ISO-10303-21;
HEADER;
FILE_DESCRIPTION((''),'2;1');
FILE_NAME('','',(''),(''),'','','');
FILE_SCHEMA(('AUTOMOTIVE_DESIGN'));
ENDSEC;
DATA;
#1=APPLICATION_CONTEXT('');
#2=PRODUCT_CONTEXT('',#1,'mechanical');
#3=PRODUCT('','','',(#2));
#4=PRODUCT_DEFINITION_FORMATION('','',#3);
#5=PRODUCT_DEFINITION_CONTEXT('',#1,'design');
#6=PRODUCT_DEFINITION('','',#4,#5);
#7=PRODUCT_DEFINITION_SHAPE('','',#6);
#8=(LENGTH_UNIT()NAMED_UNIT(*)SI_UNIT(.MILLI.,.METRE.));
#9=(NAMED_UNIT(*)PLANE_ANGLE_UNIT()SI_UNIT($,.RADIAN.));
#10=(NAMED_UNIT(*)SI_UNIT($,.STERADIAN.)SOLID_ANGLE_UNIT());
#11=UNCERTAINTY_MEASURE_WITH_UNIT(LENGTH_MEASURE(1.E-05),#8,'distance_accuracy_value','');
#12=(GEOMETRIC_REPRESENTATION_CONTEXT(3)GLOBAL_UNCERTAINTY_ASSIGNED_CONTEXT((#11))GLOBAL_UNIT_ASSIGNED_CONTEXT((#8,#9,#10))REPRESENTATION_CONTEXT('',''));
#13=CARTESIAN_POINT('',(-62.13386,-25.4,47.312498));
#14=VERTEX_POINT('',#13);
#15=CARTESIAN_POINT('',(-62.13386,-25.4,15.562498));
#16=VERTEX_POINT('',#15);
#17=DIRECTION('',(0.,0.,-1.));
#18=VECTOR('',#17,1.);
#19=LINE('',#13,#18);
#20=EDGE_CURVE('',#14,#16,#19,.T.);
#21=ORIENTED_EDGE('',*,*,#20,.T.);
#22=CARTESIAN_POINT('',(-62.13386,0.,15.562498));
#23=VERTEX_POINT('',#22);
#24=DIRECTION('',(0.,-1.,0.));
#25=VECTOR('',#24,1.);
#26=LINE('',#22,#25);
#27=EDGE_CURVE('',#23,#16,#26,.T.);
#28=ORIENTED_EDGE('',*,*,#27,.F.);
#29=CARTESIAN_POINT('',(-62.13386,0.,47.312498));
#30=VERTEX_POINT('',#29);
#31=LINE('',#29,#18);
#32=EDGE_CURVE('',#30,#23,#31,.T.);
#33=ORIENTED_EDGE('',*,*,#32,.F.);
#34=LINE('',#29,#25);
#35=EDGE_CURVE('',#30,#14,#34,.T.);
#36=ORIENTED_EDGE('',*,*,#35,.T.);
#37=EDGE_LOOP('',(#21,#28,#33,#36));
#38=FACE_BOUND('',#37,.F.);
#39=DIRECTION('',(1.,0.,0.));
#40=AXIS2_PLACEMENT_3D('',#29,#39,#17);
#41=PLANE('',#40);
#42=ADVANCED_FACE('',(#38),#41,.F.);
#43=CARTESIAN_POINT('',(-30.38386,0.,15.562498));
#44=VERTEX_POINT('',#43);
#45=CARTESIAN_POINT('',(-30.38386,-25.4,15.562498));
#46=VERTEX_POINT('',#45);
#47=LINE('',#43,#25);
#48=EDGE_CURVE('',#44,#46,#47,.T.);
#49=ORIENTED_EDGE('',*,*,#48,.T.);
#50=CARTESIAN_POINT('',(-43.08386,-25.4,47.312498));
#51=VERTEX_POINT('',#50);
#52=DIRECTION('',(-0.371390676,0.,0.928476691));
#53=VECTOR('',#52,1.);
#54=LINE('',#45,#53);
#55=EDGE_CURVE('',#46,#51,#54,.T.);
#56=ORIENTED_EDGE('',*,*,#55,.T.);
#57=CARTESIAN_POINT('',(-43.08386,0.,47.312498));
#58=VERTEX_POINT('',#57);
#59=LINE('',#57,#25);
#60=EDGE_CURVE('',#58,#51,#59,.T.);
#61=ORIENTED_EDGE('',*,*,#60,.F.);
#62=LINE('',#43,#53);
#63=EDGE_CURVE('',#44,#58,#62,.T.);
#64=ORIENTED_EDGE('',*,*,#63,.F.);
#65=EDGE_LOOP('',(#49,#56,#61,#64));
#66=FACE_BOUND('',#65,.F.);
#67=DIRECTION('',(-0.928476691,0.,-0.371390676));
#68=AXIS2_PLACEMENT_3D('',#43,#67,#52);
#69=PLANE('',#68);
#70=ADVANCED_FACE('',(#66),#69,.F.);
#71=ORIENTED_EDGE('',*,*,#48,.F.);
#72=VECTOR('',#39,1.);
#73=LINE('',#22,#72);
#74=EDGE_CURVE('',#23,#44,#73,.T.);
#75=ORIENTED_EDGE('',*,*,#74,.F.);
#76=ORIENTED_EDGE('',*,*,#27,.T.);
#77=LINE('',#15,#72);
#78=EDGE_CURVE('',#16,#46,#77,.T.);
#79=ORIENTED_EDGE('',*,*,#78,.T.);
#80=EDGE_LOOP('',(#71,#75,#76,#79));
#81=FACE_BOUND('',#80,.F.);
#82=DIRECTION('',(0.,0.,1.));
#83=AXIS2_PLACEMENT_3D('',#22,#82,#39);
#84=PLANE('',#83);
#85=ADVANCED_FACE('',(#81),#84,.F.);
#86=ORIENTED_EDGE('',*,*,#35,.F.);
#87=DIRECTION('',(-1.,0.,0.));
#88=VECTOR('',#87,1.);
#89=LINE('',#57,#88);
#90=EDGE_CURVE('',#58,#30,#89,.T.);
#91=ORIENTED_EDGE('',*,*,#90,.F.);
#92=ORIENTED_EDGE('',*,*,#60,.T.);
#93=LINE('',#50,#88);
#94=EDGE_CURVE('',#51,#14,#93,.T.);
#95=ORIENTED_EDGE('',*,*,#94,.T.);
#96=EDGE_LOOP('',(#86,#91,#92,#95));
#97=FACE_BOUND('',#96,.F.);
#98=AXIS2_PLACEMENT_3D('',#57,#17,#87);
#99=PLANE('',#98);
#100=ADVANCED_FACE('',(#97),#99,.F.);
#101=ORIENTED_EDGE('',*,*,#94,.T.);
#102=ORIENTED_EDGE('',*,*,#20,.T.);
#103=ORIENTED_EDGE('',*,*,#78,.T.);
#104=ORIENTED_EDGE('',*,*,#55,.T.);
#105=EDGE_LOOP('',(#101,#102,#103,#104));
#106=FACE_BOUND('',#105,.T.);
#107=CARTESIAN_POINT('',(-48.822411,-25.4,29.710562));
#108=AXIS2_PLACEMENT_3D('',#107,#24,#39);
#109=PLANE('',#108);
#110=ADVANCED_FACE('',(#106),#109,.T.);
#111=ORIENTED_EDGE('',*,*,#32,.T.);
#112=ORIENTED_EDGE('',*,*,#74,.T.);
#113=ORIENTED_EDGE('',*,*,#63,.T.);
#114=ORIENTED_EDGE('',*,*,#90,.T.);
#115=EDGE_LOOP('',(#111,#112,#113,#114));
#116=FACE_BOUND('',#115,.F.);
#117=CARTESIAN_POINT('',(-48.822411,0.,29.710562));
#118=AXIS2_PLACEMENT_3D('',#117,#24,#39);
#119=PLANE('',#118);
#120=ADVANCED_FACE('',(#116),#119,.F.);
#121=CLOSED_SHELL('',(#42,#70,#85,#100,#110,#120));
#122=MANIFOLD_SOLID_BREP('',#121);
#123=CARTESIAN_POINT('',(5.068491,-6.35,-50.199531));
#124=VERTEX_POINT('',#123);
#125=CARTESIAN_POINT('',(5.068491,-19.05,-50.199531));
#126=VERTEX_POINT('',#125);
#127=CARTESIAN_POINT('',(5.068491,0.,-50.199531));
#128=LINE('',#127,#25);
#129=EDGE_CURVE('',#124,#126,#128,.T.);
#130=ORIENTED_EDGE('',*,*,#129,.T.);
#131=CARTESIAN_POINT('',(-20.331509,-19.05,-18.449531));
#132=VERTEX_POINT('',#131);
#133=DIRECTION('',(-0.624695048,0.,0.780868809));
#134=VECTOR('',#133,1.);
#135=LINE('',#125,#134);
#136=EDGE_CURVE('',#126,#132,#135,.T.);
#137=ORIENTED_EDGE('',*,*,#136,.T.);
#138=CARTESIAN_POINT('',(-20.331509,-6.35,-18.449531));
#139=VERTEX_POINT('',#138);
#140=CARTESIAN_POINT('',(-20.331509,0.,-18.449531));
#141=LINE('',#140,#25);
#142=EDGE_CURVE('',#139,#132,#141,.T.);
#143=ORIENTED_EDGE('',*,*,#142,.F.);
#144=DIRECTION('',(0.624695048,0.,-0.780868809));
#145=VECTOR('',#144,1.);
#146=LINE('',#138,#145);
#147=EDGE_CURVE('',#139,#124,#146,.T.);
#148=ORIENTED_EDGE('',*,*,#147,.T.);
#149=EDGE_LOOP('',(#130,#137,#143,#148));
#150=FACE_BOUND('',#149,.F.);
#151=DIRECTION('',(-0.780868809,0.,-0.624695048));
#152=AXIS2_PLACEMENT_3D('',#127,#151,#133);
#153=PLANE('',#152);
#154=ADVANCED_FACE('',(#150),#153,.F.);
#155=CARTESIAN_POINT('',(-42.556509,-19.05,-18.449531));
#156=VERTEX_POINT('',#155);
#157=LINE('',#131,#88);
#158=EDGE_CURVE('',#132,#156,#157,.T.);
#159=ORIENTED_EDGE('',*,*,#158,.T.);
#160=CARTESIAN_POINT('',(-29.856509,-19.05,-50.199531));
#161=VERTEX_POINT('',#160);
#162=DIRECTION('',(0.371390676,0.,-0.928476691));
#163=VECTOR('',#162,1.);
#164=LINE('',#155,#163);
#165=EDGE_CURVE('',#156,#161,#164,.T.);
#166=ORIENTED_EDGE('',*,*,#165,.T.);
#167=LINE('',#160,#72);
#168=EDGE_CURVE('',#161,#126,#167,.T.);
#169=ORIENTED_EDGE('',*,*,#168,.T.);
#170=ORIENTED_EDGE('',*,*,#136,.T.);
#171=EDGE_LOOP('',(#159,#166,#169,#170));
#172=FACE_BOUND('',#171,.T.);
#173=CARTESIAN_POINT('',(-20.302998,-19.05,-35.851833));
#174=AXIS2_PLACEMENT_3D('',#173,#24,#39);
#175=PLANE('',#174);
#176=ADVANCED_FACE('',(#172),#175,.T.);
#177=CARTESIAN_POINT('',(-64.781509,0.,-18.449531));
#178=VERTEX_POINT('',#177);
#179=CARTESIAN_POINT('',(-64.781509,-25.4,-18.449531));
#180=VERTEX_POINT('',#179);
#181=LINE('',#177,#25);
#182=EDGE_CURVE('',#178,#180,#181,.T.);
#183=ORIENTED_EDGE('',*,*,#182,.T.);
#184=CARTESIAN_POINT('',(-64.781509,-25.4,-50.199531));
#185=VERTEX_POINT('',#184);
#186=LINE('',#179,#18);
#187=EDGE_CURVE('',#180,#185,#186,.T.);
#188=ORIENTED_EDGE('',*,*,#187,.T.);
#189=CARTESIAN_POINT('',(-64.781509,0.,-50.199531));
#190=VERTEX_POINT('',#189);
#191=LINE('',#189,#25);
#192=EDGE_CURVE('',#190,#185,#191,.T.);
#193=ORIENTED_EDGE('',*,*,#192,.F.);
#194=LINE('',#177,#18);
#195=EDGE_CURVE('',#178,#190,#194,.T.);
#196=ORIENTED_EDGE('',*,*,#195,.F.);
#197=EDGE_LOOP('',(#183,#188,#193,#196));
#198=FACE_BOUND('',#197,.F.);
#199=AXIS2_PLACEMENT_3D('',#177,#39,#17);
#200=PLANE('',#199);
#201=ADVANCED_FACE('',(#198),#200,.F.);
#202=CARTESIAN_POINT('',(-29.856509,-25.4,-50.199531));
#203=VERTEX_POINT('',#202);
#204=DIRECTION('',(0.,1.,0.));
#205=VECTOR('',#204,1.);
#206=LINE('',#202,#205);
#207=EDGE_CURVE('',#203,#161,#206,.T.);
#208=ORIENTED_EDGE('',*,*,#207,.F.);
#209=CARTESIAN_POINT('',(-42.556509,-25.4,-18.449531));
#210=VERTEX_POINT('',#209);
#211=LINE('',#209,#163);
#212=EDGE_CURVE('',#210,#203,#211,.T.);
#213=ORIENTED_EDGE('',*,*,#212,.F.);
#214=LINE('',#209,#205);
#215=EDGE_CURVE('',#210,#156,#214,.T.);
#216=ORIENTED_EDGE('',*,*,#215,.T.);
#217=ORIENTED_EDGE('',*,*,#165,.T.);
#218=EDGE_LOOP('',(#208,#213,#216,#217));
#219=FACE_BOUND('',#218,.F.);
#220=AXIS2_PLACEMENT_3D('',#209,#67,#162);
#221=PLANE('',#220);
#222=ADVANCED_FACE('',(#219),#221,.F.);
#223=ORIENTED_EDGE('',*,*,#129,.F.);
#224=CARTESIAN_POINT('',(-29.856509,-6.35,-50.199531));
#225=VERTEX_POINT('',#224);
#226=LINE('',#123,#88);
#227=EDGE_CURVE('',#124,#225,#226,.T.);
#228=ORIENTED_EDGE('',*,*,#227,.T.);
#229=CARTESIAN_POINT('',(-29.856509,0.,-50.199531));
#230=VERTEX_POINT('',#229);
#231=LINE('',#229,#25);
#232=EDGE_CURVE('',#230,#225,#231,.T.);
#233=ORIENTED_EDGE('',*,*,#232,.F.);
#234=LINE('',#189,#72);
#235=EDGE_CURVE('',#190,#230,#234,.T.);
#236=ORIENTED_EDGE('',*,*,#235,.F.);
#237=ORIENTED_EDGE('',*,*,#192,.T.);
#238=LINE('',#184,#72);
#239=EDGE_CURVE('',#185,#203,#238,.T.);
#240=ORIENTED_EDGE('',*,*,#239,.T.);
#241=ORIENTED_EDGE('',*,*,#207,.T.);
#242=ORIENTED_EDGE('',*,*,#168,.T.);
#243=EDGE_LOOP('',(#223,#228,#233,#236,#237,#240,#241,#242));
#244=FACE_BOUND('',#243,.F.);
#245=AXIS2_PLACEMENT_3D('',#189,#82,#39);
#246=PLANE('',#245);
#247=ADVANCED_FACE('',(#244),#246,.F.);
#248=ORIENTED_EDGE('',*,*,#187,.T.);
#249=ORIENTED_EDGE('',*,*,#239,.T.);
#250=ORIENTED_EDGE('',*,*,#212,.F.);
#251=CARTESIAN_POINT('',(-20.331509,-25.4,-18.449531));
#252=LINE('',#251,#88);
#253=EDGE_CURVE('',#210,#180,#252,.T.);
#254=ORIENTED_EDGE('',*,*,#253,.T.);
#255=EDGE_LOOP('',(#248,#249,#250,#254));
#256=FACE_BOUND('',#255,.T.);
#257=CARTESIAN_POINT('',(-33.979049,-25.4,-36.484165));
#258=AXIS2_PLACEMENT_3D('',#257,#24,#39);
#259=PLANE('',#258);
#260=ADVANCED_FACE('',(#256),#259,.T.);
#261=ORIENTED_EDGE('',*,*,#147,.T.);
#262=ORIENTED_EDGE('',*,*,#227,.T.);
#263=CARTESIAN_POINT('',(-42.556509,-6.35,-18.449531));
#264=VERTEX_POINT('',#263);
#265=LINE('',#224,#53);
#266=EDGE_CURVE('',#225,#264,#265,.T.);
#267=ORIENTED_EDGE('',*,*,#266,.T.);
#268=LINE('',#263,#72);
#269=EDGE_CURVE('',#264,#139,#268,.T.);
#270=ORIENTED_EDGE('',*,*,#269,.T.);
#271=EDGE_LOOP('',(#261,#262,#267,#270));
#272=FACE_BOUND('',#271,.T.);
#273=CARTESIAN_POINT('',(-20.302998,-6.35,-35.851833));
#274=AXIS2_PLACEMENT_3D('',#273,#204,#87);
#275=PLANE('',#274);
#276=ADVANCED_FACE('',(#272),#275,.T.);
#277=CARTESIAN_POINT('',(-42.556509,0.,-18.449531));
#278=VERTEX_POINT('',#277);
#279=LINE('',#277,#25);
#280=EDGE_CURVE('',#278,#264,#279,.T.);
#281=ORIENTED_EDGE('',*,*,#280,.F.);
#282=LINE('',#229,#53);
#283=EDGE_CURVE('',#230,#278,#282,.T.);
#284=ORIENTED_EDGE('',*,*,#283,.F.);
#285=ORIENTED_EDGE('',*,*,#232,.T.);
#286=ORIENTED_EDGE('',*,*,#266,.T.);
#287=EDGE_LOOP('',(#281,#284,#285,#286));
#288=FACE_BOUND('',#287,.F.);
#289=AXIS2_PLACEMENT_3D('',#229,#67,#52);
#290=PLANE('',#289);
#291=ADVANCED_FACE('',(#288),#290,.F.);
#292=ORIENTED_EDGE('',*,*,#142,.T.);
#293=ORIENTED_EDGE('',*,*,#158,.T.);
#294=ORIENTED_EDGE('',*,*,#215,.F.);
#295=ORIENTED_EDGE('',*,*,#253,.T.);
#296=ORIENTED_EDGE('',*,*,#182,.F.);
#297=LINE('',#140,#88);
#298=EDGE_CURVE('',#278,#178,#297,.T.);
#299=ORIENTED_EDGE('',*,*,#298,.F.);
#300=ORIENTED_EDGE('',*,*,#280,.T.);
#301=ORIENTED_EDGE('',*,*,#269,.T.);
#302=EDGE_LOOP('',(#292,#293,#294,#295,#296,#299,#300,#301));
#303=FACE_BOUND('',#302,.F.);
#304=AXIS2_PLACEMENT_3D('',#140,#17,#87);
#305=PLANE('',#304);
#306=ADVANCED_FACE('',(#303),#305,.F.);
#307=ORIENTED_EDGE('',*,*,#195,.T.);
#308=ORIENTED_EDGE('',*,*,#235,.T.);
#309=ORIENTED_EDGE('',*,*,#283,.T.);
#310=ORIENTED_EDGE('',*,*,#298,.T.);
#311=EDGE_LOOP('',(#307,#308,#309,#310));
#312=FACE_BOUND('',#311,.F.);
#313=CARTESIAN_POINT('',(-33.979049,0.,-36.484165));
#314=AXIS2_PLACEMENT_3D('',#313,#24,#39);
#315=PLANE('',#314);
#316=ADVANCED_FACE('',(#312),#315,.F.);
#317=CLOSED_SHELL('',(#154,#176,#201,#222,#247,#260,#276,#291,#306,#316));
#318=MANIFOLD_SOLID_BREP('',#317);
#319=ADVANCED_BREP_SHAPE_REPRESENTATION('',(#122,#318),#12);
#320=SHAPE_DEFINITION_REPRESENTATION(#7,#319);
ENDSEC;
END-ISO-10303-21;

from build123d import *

# Parameters (mm, degrees)
F1_DEPTH = 25.4
F3_DEPTH = 25.4
F5_DEPTH = 6.35
F7_DEPTH = 6.35


with BuildPart() as f1:
    # F0 (on Front) → F1 (new body)
    with BuildSketch(Plane.XZ):
        Polygon((-43.08386, 47.312498), (-62.13386, 47.312498), (-62.13386, 15.562498), (-30.38386, 15.562498), align=None)
    extrude(amount=F1_DEPTH)


with BuildPart() as f3:
    # F2 (on Front) → F3 (new body)
    with BuildSketch(Plane.XZ):
        Polygon((-20.331509, -18.449531), (-64.781509, -18.449531), (-64.781509, -50.199531), (5.068491, -50.199531), align=None)
    extrude(amount=F3_DEPTH)

    # F4 (on face) → F5 (cut)
    with BuildSketch(Plane.XZ.offset(25.4)):
        Polygon((-20.331509, -18.449531), (-42.556509, -18.449531), (-29.856509, -50.199531), (5.068491, -50.199531), align=None)
    extrude(amount=-F5_DEPTH, mode=Mode.SUBTRACT)

    # F6 (on face) → F7 (cut)
    with BuildSketch(Plane(origin=(0, 0, 0), x_dir=(-1, 0, 0), z_dir=(0, 1, 0))):
        Polygon((29.856509, -50.199531), (42.556509, -18.449531), (20.331509, -18.449531), (-5.068491, -50.199531), align=None)
    extrude(amount=-F7_DEPTH, mode=Mode.SUBTRACT)


solid = Compound([f1.part, f3.part])
